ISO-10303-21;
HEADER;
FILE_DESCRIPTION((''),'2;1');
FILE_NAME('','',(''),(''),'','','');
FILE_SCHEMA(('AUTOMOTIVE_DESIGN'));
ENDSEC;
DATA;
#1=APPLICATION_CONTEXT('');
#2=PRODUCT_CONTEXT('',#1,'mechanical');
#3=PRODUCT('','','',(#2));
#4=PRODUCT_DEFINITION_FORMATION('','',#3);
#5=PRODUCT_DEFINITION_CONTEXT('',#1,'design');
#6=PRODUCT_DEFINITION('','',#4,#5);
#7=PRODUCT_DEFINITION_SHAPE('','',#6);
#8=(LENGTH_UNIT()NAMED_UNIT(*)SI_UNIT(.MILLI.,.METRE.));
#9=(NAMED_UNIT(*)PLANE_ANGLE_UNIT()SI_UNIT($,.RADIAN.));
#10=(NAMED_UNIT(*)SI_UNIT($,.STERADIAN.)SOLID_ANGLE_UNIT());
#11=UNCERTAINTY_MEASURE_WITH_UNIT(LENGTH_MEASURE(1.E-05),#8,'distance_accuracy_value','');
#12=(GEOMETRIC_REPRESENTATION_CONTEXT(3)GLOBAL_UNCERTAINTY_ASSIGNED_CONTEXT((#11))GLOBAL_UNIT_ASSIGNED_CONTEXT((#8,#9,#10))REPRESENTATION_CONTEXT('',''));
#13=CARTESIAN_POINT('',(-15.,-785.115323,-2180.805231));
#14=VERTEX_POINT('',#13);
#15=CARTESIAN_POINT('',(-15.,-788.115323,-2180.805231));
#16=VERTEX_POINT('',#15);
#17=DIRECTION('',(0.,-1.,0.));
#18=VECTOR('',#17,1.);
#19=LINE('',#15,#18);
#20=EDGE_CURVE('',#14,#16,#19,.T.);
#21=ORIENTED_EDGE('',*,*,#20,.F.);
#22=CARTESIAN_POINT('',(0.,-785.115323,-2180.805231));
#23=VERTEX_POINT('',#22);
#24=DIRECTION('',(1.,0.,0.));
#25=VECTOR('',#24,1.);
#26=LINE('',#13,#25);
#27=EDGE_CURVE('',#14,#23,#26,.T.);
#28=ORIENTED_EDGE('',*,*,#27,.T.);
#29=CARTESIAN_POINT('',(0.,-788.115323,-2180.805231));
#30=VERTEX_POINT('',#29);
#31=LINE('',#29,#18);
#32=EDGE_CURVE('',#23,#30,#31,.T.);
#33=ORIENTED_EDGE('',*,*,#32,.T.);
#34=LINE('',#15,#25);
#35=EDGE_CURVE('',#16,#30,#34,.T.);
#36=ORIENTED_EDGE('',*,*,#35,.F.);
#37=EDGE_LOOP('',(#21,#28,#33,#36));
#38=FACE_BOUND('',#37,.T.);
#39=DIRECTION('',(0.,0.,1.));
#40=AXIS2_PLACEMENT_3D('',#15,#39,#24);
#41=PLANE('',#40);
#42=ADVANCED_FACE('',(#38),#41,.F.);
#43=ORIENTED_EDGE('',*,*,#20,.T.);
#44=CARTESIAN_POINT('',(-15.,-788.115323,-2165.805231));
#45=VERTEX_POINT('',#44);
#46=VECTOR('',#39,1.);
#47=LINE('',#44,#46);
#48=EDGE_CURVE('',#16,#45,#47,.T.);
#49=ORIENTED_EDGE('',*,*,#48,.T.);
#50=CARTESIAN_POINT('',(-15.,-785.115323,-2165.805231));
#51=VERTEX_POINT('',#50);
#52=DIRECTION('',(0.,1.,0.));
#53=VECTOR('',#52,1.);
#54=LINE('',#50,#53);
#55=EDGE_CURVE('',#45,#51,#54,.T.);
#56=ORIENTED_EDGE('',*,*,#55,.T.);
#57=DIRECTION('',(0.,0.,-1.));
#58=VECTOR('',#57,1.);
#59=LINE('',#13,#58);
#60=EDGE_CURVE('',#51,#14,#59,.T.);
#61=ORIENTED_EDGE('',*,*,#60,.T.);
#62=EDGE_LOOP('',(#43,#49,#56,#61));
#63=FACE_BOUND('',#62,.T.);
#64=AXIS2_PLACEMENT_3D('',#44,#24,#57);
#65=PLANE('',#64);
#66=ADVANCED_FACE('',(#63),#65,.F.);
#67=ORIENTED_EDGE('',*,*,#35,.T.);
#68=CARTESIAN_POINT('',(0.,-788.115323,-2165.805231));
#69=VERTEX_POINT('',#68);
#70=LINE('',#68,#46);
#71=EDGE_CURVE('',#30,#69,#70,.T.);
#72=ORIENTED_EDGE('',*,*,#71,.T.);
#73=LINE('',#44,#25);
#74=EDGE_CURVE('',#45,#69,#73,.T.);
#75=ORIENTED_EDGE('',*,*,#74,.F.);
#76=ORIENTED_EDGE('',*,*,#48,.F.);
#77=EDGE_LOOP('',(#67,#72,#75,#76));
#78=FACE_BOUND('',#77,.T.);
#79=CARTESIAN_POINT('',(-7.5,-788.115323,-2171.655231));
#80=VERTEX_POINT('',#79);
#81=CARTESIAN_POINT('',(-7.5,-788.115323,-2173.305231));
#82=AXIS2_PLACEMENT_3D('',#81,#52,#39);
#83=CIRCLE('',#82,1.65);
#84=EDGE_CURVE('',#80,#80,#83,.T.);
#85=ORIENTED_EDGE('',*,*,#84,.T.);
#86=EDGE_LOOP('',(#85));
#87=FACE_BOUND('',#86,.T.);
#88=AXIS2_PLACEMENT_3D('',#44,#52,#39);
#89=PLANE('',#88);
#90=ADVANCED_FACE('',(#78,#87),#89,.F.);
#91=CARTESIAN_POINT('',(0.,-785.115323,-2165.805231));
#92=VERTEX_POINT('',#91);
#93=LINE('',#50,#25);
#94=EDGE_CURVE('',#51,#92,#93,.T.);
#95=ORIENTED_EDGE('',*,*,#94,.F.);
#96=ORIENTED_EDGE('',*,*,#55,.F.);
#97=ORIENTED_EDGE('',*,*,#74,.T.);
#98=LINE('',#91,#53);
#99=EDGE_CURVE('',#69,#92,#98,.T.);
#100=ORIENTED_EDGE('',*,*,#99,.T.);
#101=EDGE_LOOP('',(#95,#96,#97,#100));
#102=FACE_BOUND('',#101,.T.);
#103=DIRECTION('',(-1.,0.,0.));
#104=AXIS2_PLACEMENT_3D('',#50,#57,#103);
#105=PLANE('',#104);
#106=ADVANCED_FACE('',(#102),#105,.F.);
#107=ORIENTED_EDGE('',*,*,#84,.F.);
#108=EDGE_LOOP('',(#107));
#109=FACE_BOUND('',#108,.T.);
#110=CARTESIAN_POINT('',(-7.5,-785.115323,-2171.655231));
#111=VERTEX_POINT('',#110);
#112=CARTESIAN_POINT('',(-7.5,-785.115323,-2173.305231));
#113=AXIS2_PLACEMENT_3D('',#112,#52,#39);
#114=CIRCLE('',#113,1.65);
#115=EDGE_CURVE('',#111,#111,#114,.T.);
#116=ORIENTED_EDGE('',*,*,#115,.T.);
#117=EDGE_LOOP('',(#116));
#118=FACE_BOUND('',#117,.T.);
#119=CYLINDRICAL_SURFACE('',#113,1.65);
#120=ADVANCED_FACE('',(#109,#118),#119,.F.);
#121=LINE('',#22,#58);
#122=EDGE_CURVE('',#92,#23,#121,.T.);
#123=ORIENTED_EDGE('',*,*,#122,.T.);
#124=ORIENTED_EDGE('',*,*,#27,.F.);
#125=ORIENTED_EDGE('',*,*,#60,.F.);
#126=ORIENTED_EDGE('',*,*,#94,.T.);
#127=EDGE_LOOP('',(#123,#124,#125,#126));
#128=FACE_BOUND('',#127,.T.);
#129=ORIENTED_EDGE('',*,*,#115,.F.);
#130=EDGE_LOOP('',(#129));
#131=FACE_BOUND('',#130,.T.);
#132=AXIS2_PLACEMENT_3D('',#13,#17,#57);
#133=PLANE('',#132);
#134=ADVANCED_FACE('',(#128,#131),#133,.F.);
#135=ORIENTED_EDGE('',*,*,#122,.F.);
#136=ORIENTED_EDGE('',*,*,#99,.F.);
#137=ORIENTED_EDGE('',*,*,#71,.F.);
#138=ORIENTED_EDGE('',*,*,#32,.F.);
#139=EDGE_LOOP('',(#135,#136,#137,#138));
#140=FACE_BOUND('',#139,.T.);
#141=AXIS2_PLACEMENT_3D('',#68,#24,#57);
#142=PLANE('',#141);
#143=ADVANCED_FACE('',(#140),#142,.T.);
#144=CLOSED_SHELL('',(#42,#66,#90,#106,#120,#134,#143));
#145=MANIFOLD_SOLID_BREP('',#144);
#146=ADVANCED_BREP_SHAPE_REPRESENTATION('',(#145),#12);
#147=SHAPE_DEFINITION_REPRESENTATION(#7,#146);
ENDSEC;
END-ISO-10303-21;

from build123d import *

# Parameters (mm, degrees)
SKETCH_1_W             = 15
SKETCH_1_H             = 3
EXTRUDE_1_DEPTH        = 15
HOLE_WIZARD_M4_1_D     = 3.3
HOLE_WIZARD_M4_1_DEPTH = 11.5
HOLE_WIZARD_M4_1_TIP   = 0.991420021


with BuildPart() as part:
    # 草图1 → 凸台-拉伸1 (new body)
    with BuildSketch(Plane.ZY):
        with Locations((-2173.305231444, -786.615322881)):
            Rectangle(SKETCH_1_W, SKETCH_1_H)
    extrude(amount=EXTRUDE_1_DEPTH)

    # M4 螺纹孔1
    with Locations(Plane(origin=(0, -785.115322881, 0), x_dir=(-1, 0, 0), z_dir=(0, 1, 0))):
        with Locations((7.5, -2173.305231444)):
            Hole(HOLE_WIZARD_M4_1_D / 2, depth=HOLE_WIZARD_M4_1_DEPTH)
            with Locations((0, 0, -(HOLE_WIZARD_M4_1_DEPTH + HOLE_WIZARD_M4_1_TIP / 2))):  # 118° drill point
                Cone(0, HOLE_WIZARD_M4_1_D / 2, HOLE_WIZARD_M4_1_TIP, mode=Mode.SUBTRACT)


solid = part.part
